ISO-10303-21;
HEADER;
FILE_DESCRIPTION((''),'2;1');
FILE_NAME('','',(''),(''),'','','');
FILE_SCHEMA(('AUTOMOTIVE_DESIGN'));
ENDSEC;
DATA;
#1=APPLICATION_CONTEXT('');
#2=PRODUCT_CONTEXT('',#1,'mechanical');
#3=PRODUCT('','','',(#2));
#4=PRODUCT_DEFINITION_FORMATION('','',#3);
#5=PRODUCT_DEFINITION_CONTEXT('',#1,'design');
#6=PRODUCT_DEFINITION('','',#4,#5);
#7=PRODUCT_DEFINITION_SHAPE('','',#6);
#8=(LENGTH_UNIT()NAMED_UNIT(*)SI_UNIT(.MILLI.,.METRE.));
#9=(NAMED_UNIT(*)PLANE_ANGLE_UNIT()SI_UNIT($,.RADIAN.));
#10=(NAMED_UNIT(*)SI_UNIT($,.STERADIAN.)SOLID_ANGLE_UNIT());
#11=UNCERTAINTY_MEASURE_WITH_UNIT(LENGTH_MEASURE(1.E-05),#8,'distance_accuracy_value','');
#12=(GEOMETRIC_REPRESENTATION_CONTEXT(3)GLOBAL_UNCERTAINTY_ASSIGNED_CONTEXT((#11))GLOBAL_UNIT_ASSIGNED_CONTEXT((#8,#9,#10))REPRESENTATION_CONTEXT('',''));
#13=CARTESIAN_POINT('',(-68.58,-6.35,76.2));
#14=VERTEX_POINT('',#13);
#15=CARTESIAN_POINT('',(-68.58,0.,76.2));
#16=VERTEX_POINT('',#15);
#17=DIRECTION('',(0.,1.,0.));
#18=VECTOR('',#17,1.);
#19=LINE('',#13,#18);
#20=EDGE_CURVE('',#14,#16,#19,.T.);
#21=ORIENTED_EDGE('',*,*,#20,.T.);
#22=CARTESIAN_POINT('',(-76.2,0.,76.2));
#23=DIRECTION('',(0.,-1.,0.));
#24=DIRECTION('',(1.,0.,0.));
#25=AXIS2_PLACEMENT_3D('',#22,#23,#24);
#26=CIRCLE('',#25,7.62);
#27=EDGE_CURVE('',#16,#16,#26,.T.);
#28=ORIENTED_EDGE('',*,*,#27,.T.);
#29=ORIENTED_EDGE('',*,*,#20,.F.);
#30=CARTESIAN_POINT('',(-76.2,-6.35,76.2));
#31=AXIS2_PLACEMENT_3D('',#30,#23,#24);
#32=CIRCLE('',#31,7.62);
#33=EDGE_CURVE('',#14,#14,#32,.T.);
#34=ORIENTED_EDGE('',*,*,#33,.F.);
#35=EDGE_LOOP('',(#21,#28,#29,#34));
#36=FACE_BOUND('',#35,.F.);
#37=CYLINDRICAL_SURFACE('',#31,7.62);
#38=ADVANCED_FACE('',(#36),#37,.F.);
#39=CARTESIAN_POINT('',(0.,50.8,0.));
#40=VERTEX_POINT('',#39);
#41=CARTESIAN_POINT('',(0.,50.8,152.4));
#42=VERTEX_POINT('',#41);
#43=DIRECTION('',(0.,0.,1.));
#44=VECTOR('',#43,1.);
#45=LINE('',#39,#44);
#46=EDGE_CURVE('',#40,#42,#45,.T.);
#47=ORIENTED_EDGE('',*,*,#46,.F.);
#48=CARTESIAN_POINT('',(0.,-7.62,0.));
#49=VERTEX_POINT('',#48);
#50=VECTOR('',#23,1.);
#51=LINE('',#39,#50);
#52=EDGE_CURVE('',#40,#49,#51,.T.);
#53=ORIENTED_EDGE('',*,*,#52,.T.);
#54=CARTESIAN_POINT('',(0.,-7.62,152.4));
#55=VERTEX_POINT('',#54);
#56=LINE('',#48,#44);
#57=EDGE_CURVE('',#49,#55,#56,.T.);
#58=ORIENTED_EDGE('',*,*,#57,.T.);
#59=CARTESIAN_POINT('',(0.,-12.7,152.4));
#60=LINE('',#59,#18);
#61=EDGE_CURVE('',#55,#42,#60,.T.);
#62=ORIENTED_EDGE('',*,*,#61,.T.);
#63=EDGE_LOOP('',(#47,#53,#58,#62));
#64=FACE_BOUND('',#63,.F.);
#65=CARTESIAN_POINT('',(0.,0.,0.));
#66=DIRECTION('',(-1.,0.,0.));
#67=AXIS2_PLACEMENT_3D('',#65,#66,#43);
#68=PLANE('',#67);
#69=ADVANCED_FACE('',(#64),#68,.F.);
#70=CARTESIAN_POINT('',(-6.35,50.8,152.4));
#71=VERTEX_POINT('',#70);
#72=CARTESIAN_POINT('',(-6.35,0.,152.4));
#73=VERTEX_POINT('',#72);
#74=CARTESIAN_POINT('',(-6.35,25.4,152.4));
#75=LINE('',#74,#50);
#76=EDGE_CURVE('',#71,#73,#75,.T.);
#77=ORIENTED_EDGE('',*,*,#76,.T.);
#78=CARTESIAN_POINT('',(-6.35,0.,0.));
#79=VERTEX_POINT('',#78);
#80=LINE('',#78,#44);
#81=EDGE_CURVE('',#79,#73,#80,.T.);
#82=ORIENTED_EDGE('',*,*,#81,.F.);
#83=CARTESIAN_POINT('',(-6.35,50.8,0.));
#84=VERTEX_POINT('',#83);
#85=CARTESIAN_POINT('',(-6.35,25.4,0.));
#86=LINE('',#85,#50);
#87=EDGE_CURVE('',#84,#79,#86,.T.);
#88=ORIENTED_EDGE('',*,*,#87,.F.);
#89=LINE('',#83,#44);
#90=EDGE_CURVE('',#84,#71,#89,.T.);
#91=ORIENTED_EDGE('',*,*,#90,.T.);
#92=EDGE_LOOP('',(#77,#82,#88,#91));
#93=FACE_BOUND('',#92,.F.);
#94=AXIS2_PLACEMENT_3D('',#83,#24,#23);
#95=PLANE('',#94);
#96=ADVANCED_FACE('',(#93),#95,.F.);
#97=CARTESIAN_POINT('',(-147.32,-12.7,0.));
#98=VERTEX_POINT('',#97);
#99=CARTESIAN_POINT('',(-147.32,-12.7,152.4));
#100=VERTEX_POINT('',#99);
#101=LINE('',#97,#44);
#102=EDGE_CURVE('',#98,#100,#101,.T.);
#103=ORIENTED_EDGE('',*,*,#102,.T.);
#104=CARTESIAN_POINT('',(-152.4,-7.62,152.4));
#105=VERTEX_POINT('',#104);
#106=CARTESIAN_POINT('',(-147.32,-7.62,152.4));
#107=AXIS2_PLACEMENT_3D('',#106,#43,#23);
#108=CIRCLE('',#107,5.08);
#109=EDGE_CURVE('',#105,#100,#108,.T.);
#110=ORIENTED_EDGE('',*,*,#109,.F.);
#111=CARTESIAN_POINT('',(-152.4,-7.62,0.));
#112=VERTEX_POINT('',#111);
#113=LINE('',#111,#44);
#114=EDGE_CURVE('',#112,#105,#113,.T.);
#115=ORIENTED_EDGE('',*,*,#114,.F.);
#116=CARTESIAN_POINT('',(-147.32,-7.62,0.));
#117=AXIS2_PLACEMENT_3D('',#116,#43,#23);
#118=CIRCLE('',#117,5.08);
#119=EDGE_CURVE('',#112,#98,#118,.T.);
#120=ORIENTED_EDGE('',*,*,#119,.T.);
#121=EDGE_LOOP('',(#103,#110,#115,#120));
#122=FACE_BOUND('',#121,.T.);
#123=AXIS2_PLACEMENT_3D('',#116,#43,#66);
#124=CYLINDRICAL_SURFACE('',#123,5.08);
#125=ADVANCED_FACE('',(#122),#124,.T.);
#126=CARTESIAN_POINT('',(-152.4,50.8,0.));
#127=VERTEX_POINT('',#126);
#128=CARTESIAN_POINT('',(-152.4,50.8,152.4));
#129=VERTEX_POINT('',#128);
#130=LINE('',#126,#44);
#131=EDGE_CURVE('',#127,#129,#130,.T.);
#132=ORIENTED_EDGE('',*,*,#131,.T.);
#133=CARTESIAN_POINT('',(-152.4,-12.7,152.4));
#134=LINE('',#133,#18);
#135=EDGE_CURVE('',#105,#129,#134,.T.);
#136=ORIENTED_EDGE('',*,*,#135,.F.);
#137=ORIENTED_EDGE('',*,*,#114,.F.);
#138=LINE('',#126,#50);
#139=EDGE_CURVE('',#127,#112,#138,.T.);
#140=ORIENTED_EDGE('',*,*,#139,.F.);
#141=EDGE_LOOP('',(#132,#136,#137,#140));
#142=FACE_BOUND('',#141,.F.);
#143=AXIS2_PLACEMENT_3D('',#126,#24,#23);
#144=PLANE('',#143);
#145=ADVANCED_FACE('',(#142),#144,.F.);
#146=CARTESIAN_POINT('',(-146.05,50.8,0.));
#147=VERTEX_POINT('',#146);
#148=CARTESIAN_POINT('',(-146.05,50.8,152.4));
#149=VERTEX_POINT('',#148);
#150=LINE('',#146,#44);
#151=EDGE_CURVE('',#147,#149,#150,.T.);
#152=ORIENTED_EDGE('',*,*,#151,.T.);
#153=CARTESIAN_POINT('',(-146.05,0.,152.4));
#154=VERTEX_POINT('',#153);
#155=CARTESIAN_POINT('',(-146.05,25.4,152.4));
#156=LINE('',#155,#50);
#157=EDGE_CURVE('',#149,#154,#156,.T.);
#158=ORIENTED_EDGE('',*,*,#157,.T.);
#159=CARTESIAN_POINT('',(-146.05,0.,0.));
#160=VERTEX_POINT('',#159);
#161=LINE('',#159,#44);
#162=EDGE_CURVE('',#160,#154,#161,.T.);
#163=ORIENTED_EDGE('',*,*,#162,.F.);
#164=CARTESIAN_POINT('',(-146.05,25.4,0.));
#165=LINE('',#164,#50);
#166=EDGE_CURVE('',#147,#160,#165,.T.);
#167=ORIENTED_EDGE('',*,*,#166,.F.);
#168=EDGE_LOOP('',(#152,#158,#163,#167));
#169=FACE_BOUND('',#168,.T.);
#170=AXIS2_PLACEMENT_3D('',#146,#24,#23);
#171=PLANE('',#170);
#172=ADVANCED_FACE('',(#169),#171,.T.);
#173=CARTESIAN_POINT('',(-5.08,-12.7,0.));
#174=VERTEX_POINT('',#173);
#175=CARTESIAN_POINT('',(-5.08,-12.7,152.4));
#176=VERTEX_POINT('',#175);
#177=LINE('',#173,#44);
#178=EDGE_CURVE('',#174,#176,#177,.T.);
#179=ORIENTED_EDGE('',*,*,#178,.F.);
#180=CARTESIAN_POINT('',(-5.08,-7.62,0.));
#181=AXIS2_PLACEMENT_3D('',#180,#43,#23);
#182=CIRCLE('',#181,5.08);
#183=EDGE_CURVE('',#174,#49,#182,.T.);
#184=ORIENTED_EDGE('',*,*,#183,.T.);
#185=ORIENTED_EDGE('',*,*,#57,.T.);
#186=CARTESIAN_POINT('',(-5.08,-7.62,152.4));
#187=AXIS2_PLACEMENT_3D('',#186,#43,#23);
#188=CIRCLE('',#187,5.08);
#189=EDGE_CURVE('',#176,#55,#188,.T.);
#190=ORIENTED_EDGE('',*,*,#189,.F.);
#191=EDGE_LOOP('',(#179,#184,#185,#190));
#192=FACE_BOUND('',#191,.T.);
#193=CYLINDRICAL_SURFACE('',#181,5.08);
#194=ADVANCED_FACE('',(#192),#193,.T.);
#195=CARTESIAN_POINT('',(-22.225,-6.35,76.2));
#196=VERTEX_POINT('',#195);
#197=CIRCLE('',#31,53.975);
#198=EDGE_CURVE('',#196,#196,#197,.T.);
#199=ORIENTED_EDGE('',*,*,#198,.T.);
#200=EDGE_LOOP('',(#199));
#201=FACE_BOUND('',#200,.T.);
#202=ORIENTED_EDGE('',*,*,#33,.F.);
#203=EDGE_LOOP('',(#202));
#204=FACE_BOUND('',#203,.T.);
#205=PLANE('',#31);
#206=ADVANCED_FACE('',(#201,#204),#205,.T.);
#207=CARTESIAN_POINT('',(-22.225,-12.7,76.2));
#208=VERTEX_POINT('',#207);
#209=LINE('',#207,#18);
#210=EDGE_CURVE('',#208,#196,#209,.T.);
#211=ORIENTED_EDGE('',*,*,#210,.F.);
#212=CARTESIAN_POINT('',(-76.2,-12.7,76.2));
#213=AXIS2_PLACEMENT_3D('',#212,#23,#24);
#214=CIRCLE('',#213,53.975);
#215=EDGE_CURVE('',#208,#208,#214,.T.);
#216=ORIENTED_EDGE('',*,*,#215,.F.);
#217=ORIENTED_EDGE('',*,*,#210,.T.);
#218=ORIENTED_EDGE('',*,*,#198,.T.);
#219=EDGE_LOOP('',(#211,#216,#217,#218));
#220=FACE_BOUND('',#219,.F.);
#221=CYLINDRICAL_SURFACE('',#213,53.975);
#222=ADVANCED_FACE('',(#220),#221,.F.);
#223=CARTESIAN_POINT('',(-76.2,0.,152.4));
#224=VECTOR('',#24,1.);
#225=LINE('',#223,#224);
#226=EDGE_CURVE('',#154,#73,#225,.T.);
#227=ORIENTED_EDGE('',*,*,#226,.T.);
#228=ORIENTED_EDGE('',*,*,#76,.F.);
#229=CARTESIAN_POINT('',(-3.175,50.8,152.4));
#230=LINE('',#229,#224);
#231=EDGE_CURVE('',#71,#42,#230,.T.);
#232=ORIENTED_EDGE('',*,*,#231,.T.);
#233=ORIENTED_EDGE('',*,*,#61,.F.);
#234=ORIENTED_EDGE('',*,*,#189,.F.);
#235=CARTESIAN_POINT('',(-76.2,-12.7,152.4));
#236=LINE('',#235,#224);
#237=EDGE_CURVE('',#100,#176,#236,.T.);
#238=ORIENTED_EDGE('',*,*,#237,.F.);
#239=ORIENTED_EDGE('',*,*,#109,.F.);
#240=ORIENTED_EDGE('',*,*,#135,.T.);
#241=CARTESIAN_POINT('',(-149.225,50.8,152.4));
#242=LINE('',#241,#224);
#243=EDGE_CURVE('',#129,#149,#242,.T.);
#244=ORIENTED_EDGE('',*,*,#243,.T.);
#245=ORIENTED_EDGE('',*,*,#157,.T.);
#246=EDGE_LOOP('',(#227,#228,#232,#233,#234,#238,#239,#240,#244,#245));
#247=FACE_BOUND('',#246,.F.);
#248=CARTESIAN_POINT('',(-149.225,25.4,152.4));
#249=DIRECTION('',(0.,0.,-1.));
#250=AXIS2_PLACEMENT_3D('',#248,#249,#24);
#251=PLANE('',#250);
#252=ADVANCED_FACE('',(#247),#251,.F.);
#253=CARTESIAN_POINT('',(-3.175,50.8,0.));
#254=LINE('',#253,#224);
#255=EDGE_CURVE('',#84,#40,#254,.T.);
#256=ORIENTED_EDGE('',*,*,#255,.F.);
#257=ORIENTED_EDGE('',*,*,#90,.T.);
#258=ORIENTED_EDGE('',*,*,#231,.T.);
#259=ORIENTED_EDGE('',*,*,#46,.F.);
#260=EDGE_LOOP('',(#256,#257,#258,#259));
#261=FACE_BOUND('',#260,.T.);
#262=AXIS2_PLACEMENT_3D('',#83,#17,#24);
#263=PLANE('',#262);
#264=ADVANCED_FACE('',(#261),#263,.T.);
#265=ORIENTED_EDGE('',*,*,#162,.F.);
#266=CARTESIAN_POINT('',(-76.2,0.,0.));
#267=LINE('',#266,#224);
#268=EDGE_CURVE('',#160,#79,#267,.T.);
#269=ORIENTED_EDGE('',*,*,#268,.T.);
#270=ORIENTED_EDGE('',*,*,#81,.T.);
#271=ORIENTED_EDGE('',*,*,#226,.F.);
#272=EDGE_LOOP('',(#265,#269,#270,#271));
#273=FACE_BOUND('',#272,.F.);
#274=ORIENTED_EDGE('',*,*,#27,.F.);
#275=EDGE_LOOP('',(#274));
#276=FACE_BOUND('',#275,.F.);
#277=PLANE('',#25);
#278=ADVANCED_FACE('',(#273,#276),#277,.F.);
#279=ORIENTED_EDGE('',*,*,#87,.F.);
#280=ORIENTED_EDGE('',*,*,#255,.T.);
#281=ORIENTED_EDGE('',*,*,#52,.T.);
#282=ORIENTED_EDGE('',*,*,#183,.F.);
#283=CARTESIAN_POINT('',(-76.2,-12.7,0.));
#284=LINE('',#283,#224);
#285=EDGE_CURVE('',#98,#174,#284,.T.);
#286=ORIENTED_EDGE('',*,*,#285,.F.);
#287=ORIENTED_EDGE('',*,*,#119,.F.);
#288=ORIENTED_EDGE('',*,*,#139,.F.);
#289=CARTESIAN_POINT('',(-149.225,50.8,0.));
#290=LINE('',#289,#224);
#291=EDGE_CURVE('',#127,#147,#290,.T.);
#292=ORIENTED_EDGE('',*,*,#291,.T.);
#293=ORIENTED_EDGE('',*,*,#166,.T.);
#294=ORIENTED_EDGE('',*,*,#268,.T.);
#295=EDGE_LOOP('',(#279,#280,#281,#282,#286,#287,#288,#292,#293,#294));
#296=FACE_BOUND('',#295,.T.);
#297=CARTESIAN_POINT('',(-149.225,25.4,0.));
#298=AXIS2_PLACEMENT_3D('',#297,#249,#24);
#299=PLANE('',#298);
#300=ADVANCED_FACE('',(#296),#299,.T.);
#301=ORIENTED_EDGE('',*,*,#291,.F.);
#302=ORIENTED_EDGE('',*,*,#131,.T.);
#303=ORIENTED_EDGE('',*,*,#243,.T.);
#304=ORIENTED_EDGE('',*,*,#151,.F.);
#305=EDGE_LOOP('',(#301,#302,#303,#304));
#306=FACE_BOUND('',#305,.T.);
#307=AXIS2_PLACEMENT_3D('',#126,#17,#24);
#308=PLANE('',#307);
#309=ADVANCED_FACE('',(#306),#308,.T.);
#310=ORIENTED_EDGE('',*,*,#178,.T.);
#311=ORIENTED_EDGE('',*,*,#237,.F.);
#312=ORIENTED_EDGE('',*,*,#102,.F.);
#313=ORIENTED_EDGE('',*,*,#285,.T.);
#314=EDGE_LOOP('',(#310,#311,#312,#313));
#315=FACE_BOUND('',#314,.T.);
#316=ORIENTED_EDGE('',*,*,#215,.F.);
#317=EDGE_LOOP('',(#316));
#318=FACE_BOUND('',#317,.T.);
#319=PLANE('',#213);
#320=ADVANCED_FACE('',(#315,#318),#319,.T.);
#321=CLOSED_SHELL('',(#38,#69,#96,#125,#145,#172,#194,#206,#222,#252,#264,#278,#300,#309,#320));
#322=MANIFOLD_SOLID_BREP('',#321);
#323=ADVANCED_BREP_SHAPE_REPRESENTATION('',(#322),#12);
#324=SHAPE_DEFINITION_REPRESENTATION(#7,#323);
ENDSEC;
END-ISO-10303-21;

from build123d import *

# Parameters (mm, degrees)
F0_W     = 152.4
F0_H     = 152.4
F1_DEPTH = 12.7
F2_R     = 53.975
F3_DEPTH = 6.35
F4_W     = 6.35
F4_H     = 50.8
F5_DEPTH = 152.4
F6_R     = 7.62
F7_DEPTH = 25.4
F8_R     = 5.08
F9_R     = 5.08


with BuildPart() as f1:
    # F0 (on Front) → F1 (new body)
    with BuildSketch(Plane.XZ):
        with Locations((-76.2, 76.2)):
            Rectangle(F0_W, F0_H)
    extrude(amount=F1_DEPTH)

    # F2 (on face) → F3 (cut)
    with BuildSketch(Plane.XZ.offset(12.7)):
        with Locations((-76.2, 76.2)):
            Circle(F2_R)
    extrude(amount=-F3_DEPTH, mode=Mode.SUBTRACT)

    # F4 (on face) → F5 (join)
    with BuildSketch(Plane(origin=(0, 0, 0), x_dir=(1, 0, 0), z_dir=(0, 0, -1))):
        with Locations((-149.225, -25.4)):
            Rectangle(F4_W, F4_H)
        with Locations((-3.175, -25.4)):
            Rectangle(F4_W, F4_H)
    extrude(amount=-F5_DEPTH)

    # F6 (on face) → F7 (cut)
    with BuildSketch(Plane.XZ.offset(6.35)):
        with Locations((-76.2, 76.2)):
            Circle(F6_R)
    extrude(amount=-F7_DEPTH, mode=Mode.SUBTRACT)

    # F8
    f8_edges = [f1.edges().sort_by_distance(p)[0] for p in [
        (-152.4, -12.7, 76.2),
    ]]
    fillet(f8_edges, radius=F8_R)

    # F9
    f9_edges = [f1.edges().sort_by_distance(p)[0] for p in [
        (0, -12.7, 76.2),
    ]]
    fillet(f9_edges, radius=F9_R)


solid = f1.part
